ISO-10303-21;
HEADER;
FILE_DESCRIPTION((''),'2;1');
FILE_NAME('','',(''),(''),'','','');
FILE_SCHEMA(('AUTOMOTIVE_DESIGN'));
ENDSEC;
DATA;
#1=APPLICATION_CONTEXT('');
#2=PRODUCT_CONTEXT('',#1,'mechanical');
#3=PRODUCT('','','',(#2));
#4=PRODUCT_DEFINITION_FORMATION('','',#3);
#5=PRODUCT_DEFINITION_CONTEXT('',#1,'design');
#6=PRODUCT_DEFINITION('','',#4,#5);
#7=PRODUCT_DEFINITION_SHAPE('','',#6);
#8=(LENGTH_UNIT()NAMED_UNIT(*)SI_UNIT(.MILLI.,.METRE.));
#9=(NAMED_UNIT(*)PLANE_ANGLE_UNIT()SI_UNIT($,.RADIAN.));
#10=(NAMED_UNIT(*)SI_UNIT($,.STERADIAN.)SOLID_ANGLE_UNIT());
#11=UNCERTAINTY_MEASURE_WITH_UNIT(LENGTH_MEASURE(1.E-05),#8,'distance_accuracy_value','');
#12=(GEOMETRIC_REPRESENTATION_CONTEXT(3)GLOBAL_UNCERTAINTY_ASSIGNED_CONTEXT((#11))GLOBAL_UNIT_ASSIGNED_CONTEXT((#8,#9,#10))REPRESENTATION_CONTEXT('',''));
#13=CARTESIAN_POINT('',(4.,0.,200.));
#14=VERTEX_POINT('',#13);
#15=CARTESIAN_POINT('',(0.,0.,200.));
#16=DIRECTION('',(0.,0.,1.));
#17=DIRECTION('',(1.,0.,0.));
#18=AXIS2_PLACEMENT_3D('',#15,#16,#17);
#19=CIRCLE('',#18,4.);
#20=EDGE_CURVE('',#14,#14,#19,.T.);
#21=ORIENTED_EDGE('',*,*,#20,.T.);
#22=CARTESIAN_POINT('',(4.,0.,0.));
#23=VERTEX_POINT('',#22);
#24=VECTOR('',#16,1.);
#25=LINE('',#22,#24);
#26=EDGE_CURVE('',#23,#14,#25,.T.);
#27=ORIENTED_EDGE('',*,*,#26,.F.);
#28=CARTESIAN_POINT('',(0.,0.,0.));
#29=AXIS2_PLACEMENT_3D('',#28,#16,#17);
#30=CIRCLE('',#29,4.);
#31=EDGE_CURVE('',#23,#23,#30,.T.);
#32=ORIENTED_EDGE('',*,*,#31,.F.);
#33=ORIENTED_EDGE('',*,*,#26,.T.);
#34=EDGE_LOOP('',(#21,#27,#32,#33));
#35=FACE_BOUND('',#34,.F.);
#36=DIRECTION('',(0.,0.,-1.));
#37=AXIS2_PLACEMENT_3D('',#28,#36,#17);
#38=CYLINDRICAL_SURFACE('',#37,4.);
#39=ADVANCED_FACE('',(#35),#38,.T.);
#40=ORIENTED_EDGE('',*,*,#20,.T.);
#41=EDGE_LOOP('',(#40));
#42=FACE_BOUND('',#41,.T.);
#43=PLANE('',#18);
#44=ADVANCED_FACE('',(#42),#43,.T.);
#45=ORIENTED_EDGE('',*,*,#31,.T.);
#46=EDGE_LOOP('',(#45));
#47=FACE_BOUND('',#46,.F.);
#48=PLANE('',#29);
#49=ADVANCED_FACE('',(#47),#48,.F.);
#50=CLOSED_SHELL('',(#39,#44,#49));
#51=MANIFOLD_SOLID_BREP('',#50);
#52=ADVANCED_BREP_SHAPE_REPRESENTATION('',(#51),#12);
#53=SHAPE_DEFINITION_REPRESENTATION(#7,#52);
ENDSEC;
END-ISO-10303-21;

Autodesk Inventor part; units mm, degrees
ref_plane "YZ Plane" through (0, 0, 0) normal (1, 0, 0) x (0, 1, 0)
ref_plane "XZ Plane" through (0, 0, 0) normal (0, 1, 0) x (-1, 0, 0)
ref_plane "XY Plane" through (0, 0, 0) normal (0, 0, 1) x (1, 0, 0)
sketch "Esboço1" plane through (0, 0, 0) normal (0, 0, 1) x (1, 0, 0)
  circle A0 centre (0, 0) radius 4
  dimension "d0" = 8
extrude "Extrusão1" add sketch "Esboço1" along normal blind 200
thread "Rosca1" size "TR8x1.5" class "7e" standard "ISO Metric Trapezoidal Threads" full length
properties part number "FusoTrapezoidal_8mmx200mm"
